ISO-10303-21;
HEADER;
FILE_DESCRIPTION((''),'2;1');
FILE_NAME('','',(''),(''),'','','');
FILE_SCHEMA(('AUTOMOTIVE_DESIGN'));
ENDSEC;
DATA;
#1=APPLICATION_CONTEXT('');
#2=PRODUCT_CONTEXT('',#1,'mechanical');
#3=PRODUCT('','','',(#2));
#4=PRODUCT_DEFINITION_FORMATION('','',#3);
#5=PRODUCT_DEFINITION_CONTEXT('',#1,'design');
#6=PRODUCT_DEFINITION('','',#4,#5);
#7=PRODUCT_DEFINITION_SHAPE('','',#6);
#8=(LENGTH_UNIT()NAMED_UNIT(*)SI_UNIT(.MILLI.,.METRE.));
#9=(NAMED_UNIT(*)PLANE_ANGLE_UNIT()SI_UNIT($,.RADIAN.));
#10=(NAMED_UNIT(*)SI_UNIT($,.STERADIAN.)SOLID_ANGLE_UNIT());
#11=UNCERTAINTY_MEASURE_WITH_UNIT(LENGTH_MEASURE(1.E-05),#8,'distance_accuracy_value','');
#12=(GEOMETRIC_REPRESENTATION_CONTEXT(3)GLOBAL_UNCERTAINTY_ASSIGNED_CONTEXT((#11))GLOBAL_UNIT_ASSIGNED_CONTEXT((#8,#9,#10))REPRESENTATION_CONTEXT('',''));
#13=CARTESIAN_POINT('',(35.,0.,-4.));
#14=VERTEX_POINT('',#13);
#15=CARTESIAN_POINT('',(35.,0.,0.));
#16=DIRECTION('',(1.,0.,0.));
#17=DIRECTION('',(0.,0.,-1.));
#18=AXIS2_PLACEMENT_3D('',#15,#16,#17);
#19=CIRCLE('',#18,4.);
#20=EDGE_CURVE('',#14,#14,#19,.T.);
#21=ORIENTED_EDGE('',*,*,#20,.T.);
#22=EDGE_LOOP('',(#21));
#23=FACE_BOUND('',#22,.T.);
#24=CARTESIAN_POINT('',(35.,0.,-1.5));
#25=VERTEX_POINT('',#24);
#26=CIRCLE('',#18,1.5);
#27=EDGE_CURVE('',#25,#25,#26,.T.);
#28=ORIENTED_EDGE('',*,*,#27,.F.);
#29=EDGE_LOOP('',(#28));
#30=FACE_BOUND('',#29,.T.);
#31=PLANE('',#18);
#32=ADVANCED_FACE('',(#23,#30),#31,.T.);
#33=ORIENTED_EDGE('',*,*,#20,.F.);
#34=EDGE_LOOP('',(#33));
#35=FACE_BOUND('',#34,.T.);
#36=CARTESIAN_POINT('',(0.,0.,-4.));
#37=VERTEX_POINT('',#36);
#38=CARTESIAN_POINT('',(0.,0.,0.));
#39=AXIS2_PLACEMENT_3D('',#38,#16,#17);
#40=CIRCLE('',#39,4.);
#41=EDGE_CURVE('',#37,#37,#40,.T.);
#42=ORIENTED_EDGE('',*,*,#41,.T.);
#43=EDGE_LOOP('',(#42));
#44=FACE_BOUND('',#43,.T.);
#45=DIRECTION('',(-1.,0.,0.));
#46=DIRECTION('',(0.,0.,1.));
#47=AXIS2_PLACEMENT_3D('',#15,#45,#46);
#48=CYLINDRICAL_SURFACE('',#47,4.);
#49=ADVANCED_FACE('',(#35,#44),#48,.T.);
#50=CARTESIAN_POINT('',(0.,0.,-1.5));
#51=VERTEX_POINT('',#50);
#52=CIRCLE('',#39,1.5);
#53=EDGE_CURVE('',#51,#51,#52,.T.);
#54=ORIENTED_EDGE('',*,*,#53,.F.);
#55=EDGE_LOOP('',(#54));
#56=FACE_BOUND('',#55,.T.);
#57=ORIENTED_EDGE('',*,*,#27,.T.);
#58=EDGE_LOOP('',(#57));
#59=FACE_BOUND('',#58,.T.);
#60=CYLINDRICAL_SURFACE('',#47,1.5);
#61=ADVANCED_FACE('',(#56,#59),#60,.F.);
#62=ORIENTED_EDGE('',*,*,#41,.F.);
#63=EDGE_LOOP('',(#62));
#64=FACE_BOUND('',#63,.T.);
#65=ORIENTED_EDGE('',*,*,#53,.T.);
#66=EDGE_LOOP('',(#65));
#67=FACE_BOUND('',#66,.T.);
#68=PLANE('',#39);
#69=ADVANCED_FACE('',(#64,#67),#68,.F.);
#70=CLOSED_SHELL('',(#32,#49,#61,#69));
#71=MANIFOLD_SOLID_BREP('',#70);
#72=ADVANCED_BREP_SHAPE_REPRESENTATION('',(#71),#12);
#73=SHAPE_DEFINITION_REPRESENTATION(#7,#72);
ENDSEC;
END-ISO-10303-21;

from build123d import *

# Parameters (mm, degrees)
SKETCH_1_R      = 4
SKETCH_1_R_2    = 1.5
EXTRUDE_1_DEPTH = 35


with BuildPart() as part:
    # ｽｹｯﾁ1 → ﾎﾞｽ - 押し出し1 (new body)
    with BuildSketch(Plane(origin=(0, 0, 0), x_dir=(0, 0, -1), z_dir=(1, 0, 0))):
        Circle(SKETCH_1_R)
        Circle(SKETCH_1_R_2, mode=Mode.SUBTRACT)
    extrude(amount=EXTRUDE_1_DEPTH)


solid = part.part
